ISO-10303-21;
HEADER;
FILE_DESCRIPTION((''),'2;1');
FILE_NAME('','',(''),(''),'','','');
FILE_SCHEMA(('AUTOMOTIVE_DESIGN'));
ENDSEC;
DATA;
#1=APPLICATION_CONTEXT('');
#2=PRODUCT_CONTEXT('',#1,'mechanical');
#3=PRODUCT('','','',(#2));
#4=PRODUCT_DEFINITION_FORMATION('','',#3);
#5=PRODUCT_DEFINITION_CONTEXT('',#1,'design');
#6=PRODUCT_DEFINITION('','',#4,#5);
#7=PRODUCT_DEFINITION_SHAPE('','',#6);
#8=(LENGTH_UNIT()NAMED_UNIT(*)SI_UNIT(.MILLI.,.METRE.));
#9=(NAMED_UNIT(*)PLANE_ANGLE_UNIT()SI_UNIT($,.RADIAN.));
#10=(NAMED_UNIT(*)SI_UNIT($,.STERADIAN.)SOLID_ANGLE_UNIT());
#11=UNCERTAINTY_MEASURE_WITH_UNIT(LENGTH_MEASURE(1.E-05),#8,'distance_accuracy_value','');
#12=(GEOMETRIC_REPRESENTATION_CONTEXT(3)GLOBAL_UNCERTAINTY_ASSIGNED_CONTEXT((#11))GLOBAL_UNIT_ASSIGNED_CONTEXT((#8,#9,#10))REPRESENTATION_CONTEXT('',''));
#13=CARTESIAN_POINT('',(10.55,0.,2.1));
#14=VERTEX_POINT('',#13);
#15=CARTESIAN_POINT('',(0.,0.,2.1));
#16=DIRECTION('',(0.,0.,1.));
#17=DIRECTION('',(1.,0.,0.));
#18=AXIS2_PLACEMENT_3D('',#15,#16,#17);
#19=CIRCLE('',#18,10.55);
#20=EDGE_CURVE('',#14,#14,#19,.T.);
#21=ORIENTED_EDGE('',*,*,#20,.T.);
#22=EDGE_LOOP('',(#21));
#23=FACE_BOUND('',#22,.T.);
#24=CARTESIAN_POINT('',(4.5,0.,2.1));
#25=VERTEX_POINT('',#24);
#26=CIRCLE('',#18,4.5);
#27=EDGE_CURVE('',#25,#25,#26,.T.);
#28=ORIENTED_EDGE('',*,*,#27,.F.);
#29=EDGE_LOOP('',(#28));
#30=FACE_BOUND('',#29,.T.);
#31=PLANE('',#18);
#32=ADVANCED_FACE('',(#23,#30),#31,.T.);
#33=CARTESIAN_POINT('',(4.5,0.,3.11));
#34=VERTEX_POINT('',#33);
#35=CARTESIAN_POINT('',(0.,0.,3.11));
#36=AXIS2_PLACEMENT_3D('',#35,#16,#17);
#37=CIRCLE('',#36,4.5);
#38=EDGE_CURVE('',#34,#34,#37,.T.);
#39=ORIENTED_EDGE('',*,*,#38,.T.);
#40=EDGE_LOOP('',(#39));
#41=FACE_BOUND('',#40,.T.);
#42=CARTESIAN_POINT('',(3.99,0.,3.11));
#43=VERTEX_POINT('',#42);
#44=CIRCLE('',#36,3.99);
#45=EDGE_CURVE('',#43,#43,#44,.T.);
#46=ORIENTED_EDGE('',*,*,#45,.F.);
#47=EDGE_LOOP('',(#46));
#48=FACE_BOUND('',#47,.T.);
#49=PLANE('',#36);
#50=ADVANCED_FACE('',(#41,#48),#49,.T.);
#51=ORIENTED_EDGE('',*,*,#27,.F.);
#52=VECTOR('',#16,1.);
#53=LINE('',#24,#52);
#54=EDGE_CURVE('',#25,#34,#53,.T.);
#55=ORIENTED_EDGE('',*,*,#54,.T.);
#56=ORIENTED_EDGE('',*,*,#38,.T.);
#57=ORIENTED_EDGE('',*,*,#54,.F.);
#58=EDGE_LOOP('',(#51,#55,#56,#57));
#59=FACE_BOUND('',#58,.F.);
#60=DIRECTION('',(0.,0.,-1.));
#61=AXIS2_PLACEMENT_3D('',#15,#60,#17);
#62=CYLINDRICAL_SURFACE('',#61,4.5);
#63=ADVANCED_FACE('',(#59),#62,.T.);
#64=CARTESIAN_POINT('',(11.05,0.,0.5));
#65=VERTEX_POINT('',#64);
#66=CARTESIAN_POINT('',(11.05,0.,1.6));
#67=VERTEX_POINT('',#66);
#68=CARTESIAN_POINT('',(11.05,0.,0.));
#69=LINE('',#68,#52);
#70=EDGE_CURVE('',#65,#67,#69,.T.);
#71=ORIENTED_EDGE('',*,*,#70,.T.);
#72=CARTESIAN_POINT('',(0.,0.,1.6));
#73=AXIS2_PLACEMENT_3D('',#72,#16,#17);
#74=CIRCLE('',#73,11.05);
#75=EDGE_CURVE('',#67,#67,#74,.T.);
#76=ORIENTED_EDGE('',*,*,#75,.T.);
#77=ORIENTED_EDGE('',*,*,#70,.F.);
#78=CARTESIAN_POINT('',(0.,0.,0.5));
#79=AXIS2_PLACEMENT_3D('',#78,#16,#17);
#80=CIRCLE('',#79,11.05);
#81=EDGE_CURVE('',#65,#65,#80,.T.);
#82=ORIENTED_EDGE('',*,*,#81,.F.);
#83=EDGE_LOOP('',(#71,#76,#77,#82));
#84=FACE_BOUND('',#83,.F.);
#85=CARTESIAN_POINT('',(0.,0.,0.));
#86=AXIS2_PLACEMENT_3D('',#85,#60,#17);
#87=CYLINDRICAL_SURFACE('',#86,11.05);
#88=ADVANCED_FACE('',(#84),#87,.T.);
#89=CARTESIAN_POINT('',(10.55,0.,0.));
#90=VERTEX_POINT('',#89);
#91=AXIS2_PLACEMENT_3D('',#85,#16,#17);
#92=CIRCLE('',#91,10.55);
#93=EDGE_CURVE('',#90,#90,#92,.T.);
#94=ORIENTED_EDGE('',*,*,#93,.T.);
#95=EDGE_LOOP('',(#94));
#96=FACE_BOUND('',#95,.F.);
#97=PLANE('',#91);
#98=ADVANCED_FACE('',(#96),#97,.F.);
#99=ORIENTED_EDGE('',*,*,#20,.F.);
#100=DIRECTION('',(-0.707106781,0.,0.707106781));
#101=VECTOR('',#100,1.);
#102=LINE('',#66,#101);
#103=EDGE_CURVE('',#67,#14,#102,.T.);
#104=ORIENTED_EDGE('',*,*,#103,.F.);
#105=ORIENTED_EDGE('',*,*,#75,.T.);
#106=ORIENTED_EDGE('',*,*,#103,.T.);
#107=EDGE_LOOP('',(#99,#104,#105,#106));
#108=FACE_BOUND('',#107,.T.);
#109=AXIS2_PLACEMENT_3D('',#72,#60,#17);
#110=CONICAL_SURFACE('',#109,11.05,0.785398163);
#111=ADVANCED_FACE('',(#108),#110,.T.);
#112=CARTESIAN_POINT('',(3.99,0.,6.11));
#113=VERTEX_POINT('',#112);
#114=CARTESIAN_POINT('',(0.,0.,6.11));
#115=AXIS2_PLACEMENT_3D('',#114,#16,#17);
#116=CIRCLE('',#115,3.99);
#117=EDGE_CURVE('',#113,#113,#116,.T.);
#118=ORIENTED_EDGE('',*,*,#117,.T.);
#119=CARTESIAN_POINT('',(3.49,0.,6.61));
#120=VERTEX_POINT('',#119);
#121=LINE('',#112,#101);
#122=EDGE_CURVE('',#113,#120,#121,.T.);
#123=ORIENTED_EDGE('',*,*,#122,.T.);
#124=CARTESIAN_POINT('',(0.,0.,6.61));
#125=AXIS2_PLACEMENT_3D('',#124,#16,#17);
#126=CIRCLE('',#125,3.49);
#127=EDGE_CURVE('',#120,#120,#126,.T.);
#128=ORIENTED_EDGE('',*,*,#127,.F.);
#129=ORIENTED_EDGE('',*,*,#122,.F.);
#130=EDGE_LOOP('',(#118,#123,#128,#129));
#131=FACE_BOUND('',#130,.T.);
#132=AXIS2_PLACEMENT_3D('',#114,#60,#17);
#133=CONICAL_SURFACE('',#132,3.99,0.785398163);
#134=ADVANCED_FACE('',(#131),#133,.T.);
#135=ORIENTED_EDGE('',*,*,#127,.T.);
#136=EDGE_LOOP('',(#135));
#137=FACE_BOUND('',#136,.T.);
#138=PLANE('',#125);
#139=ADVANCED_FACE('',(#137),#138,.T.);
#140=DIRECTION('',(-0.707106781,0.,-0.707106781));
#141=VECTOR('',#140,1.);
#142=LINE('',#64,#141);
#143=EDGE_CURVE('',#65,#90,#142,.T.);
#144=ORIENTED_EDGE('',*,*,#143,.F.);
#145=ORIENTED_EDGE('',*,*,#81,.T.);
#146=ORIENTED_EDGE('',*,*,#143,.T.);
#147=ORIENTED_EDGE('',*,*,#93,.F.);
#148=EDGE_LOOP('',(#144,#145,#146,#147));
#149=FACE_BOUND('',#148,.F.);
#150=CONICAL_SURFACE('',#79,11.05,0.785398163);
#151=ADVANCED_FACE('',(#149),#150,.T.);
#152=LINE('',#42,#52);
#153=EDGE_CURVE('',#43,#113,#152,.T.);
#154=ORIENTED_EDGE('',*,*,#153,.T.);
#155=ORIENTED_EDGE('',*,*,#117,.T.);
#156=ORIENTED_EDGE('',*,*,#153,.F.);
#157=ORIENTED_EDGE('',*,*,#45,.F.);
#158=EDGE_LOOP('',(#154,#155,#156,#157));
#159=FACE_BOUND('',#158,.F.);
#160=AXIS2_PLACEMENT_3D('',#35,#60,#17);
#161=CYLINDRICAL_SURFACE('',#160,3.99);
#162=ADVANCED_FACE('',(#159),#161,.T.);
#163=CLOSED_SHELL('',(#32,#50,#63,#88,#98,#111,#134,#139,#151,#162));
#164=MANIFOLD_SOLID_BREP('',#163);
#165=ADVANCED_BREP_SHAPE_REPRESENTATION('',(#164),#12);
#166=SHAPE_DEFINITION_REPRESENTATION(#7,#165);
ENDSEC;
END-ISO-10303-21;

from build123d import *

# Parameters (mm, degrees)
F0_R     = 11.05
F1_DEPTH = 2.1
F2_R     = 4.5
F3_DEPTH = 1.01
F4_R     = 3.99
F5_DEPTH = 3.5
F6_SIZE  = 0.5


with BuildPart() as f1:
    # F0 (on Top) → F1 (new body)
    with BuildSketch(Plane.XY):
        Circle(F0_R)
    extrude(amount=F1_DEPTH)

    # F2 (on face) → F3 (join)
    with BuildSketch(Plane.XY.offset(2.1)):
        Circle(F2_R)
    extrude(amount=F3_DEPTH)

    # F4 (on face) → F5 (join)
    with BuildSketch(Plane.XY.offset(3.11)):
        Circle(F4_R)
    extrude(amount=F5_DEPTH)

    # F6
    f6_edges = [f1.edges().sort_by_distance(p)[0] for p in [
        (-11.05, 0, 2.1),
        (-3.99, 0, 6.61),
        (-11.05, 0, 0),
    ]]
    chamfer(f6_edges, length=F6_SIZE)


solid = f1.part
